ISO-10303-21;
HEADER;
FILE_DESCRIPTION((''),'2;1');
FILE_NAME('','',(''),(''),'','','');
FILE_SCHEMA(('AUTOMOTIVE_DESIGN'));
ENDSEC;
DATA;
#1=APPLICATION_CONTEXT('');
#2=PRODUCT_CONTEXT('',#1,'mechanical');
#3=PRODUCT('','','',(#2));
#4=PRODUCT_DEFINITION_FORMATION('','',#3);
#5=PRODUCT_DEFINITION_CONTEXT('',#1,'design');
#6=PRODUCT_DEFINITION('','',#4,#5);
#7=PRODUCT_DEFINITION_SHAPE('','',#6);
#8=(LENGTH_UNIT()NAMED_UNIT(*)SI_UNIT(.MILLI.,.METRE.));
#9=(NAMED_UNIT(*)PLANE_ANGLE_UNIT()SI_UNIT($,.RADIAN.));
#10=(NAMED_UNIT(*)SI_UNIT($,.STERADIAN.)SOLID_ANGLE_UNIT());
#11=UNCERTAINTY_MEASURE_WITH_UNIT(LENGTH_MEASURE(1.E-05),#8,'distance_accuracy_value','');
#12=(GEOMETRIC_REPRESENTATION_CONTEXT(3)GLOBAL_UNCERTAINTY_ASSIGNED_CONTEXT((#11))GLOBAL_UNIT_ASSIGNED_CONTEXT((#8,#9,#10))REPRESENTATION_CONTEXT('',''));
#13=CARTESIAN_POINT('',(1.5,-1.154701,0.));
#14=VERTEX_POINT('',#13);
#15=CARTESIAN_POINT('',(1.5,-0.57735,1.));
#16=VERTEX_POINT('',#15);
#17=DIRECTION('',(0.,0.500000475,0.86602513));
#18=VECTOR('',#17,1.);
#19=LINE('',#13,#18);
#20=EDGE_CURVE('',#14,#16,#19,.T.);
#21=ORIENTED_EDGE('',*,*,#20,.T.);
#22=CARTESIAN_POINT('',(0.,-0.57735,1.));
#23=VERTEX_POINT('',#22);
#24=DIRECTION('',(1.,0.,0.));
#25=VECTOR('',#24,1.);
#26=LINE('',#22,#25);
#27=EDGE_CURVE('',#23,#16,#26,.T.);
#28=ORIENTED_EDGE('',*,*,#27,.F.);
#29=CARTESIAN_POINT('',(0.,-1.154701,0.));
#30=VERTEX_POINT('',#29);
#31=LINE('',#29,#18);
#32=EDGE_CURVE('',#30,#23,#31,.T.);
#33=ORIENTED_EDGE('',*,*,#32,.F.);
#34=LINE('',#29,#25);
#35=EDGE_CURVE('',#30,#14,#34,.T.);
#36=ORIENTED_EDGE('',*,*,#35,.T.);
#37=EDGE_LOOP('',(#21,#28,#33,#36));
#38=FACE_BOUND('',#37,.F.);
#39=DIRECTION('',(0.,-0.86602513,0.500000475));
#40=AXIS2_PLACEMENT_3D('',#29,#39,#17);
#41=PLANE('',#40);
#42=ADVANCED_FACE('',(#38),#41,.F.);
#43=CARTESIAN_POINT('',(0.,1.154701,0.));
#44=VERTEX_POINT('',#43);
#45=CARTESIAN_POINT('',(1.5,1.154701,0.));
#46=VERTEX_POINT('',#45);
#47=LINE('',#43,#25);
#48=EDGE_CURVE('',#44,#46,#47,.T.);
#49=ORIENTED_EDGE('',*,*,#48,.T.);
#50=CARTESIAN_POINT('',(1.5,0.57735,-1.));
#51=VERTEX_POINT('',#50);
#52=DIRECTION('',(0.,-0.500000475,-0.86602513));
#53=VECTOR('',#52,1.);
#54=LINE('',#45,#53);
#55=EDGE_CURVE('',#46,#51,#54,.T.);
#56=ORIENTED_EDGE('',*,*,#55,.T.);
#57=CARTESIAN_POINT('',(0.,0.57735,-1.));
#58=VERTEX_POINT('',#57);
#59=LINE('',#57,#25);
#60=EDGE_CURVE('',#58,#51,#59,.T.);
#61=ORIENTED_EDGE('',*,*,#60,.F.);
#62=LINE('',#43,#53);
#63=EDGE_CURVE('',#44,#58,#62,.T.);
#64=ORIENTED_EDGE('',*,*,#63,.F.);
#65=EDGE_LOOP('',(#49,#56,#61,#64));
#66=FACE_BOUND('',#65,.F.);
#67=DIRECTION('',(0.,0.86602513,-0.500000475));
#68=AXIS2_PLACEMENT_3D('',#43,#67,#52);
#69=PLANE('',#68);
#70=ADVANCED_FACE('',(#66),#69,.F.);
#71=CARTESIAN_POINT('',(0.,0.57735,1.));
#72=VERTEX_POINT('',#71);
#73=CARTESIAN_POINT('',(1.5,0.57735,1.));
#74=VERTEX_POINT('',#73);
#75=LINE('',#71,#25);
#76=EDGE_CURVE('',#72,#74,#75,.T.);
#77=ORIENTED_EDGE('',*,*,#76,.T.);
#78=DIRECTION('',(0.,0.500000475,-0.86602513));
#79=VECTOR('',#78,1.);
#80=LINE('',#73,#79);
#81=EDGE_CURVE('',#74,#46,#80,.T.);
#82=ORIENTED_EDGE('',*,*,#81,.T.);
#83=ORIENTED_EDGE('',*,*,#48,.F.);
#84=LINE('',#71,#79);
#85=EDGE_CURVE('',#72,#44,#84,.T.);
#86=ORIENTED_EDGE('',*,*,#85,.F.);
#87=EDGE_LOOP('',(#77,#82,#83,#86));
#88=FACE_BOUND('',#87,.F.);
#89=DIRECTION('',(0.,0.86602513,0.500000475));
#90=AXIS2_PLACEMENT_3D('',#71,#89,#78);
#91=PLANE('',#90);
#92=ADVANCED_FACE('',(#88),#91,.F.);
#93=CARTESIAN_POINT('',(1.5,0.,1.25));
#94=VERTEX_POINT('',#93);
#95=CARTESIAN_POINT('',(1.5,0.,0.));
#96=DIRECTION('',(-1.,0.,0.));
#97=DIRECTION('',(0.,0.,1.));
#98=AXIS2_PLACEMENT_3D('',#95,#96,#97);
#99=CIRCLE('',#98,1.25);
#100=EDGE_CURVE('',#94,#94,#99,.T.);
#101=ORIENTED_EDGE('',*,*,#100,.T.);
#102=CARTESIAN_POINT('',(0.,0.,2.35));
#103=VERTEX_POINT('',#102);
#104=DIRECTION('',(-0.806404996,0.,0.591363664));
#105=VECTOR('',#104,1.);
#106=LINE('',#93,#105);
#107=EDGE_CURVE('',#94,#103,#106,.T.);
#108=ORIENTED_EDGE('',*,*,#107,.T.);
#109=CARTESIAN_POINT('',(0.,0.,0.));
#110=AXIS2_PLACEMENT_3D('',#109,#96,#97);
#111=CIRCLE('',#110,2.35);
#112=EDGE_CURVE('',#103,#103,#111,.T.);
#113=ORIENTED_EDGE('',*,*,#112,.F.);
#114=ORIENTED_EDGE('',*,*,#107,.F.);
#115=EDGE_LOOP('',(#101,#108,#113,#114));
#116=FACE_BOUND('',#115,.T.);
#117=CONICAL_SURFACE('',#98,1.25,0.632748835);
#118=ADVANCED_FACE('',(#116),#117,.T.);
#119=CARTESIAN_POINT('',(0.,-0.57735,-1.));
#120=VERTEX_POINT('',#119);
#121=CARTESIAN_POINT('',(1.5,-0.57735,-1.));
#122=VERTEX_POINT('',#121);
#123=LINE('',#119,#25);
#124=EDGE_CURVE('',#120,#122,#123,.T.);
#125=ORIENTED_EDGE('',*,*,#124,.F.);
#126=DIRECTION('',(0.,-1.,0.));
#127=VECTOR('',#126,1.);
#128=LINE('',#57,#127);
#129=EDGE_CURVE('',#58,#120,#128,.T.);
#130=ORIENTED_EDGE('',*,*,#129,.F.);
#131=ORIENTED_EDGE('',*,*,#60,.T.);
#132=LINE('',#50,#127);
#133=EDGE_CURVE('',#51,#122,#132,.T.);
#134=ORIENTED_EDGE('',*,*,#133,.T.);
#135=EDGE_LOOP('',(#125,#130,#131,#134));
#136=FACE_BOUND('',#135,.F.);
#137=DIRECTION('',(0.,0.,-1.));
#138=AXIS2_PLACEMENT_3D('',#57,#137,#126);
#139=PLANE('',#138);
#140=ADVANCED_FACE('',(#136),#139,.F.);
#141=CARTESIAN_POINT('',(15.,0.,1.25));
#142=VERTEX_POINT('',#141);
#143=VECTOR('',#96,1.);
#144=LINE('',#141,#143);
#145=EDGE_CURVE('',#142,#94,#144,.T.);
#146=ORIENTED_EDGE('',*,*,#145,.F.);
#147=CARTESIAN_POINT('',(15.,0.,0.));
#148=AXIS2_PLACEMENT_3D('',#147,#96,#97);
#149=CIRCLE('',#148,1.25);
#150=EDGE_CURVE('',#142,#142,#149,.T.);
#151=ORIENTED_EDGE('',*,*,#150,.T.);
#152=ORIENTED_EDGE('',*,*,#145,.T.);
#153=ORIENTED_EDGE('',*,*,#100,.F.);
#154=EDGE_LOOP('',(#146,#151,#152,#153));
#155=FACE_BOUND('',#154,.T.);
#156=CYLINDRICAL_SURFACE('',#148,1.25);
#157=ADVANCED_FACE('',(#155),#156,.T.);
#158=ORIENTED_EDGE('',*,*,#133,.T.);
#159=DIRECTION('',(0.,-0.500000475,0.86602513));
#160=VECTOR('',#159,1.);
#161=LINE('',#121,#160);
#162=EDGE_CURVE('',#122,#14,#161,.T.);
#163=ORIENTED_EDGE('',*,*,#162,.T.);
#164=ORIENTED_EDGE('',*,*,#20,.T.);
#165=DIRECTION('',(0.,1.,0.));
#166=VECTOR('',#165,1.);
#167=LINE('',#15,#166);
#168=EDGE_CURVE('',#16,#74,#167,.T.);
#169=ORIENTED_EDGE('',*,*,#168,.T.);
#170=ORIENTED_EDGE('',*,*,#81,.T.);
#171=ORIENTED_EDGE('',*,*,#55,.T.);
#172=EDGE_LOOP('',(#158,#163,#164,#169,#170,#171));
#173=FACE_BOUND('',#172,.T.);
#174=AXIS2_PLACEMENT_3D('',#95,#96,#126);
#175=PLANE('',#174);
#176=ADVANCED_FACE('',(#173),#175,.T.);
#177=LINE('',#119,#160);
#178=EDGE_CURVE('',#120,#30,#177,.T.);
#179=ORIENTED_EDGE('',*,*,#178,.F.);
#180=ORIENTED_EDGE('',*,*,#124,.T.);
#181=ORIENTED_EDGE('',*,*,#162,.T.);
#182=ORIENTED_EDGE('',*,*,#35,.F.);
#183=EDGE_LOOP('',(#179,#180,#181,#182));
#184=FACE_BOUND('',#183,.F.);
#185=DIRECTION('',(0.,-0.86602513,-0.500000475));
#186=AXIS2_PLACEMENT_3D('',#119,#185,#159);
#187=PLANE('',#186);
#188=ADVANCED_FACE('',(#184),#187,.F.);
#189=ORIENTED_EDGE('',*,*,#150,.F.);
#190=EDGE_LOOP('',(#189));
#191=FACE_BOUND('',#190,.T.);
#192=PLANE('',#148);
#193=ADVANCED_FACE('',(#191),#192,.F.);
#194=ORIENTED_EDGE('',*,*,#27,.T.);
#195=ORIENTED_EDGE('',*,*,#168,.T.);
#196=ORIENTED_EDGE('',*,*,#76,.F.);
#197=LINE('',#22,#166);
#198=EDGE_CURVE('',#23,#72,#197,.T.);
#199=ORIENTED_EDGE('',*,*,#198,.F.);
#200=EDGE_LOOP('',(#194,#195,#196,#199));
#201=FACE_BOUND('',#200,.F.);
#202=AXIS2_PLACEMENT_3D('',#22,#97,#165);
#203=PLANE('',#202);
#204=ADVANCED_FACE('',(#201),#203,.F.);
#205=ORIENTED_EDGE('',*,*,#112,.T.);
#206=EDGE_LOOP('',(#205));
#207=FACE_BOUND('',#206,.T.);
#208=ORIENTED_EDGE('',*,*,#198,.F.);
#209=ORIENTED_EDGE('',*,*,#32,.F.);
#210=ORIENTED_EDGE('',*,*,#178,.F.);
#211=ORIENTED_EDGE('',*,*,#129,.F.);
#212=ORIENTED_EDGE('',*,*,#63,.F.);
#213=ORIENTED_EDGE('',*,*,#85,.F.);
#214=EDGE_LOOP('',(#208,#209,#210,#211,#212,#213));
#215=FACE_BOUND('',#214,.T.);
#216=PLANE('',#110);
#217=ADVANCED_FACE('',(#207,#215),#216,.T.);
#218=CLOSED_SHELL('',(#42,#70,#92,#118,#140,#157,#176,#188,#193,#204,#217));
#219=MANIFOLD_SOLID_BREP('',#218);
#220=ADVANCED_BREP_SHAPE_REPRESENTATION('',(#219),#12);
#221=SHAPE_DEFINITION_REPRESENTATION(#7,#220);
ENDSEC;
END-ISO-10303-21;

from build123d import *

# Parameters (mm, degrees)
F3_DEPTH = 1.5


with BuildPart() as f1:
    # F0 (on Front) → F1 (revolve)
    with BuildSketch(Plane.XZ):
        Polygon((0, 2.35), (0, 0), (15, 0), (15, 1.25), (1.5, 1.25), align=None)
    revolve(axis=Axis((7.5, 0, 0), (-1, 0, 0)))

    # F2 (on face) → F3 (cut)
    with BuildSketch(Plane(origin=(0, 0, 0), x_dir=(0, -1, 0), z_dir=(-1, 0, 0))):
        Polygon((0.57735, -1), (1.154701, 0), (0.57735, 1), (-0.57735, 1), (-1.154701, 0), (-0.57735, -1), align=None)
    extrude(amount=-F3_DEPTH, mode=Mode.SUBTRACT)


solid = f1.part
